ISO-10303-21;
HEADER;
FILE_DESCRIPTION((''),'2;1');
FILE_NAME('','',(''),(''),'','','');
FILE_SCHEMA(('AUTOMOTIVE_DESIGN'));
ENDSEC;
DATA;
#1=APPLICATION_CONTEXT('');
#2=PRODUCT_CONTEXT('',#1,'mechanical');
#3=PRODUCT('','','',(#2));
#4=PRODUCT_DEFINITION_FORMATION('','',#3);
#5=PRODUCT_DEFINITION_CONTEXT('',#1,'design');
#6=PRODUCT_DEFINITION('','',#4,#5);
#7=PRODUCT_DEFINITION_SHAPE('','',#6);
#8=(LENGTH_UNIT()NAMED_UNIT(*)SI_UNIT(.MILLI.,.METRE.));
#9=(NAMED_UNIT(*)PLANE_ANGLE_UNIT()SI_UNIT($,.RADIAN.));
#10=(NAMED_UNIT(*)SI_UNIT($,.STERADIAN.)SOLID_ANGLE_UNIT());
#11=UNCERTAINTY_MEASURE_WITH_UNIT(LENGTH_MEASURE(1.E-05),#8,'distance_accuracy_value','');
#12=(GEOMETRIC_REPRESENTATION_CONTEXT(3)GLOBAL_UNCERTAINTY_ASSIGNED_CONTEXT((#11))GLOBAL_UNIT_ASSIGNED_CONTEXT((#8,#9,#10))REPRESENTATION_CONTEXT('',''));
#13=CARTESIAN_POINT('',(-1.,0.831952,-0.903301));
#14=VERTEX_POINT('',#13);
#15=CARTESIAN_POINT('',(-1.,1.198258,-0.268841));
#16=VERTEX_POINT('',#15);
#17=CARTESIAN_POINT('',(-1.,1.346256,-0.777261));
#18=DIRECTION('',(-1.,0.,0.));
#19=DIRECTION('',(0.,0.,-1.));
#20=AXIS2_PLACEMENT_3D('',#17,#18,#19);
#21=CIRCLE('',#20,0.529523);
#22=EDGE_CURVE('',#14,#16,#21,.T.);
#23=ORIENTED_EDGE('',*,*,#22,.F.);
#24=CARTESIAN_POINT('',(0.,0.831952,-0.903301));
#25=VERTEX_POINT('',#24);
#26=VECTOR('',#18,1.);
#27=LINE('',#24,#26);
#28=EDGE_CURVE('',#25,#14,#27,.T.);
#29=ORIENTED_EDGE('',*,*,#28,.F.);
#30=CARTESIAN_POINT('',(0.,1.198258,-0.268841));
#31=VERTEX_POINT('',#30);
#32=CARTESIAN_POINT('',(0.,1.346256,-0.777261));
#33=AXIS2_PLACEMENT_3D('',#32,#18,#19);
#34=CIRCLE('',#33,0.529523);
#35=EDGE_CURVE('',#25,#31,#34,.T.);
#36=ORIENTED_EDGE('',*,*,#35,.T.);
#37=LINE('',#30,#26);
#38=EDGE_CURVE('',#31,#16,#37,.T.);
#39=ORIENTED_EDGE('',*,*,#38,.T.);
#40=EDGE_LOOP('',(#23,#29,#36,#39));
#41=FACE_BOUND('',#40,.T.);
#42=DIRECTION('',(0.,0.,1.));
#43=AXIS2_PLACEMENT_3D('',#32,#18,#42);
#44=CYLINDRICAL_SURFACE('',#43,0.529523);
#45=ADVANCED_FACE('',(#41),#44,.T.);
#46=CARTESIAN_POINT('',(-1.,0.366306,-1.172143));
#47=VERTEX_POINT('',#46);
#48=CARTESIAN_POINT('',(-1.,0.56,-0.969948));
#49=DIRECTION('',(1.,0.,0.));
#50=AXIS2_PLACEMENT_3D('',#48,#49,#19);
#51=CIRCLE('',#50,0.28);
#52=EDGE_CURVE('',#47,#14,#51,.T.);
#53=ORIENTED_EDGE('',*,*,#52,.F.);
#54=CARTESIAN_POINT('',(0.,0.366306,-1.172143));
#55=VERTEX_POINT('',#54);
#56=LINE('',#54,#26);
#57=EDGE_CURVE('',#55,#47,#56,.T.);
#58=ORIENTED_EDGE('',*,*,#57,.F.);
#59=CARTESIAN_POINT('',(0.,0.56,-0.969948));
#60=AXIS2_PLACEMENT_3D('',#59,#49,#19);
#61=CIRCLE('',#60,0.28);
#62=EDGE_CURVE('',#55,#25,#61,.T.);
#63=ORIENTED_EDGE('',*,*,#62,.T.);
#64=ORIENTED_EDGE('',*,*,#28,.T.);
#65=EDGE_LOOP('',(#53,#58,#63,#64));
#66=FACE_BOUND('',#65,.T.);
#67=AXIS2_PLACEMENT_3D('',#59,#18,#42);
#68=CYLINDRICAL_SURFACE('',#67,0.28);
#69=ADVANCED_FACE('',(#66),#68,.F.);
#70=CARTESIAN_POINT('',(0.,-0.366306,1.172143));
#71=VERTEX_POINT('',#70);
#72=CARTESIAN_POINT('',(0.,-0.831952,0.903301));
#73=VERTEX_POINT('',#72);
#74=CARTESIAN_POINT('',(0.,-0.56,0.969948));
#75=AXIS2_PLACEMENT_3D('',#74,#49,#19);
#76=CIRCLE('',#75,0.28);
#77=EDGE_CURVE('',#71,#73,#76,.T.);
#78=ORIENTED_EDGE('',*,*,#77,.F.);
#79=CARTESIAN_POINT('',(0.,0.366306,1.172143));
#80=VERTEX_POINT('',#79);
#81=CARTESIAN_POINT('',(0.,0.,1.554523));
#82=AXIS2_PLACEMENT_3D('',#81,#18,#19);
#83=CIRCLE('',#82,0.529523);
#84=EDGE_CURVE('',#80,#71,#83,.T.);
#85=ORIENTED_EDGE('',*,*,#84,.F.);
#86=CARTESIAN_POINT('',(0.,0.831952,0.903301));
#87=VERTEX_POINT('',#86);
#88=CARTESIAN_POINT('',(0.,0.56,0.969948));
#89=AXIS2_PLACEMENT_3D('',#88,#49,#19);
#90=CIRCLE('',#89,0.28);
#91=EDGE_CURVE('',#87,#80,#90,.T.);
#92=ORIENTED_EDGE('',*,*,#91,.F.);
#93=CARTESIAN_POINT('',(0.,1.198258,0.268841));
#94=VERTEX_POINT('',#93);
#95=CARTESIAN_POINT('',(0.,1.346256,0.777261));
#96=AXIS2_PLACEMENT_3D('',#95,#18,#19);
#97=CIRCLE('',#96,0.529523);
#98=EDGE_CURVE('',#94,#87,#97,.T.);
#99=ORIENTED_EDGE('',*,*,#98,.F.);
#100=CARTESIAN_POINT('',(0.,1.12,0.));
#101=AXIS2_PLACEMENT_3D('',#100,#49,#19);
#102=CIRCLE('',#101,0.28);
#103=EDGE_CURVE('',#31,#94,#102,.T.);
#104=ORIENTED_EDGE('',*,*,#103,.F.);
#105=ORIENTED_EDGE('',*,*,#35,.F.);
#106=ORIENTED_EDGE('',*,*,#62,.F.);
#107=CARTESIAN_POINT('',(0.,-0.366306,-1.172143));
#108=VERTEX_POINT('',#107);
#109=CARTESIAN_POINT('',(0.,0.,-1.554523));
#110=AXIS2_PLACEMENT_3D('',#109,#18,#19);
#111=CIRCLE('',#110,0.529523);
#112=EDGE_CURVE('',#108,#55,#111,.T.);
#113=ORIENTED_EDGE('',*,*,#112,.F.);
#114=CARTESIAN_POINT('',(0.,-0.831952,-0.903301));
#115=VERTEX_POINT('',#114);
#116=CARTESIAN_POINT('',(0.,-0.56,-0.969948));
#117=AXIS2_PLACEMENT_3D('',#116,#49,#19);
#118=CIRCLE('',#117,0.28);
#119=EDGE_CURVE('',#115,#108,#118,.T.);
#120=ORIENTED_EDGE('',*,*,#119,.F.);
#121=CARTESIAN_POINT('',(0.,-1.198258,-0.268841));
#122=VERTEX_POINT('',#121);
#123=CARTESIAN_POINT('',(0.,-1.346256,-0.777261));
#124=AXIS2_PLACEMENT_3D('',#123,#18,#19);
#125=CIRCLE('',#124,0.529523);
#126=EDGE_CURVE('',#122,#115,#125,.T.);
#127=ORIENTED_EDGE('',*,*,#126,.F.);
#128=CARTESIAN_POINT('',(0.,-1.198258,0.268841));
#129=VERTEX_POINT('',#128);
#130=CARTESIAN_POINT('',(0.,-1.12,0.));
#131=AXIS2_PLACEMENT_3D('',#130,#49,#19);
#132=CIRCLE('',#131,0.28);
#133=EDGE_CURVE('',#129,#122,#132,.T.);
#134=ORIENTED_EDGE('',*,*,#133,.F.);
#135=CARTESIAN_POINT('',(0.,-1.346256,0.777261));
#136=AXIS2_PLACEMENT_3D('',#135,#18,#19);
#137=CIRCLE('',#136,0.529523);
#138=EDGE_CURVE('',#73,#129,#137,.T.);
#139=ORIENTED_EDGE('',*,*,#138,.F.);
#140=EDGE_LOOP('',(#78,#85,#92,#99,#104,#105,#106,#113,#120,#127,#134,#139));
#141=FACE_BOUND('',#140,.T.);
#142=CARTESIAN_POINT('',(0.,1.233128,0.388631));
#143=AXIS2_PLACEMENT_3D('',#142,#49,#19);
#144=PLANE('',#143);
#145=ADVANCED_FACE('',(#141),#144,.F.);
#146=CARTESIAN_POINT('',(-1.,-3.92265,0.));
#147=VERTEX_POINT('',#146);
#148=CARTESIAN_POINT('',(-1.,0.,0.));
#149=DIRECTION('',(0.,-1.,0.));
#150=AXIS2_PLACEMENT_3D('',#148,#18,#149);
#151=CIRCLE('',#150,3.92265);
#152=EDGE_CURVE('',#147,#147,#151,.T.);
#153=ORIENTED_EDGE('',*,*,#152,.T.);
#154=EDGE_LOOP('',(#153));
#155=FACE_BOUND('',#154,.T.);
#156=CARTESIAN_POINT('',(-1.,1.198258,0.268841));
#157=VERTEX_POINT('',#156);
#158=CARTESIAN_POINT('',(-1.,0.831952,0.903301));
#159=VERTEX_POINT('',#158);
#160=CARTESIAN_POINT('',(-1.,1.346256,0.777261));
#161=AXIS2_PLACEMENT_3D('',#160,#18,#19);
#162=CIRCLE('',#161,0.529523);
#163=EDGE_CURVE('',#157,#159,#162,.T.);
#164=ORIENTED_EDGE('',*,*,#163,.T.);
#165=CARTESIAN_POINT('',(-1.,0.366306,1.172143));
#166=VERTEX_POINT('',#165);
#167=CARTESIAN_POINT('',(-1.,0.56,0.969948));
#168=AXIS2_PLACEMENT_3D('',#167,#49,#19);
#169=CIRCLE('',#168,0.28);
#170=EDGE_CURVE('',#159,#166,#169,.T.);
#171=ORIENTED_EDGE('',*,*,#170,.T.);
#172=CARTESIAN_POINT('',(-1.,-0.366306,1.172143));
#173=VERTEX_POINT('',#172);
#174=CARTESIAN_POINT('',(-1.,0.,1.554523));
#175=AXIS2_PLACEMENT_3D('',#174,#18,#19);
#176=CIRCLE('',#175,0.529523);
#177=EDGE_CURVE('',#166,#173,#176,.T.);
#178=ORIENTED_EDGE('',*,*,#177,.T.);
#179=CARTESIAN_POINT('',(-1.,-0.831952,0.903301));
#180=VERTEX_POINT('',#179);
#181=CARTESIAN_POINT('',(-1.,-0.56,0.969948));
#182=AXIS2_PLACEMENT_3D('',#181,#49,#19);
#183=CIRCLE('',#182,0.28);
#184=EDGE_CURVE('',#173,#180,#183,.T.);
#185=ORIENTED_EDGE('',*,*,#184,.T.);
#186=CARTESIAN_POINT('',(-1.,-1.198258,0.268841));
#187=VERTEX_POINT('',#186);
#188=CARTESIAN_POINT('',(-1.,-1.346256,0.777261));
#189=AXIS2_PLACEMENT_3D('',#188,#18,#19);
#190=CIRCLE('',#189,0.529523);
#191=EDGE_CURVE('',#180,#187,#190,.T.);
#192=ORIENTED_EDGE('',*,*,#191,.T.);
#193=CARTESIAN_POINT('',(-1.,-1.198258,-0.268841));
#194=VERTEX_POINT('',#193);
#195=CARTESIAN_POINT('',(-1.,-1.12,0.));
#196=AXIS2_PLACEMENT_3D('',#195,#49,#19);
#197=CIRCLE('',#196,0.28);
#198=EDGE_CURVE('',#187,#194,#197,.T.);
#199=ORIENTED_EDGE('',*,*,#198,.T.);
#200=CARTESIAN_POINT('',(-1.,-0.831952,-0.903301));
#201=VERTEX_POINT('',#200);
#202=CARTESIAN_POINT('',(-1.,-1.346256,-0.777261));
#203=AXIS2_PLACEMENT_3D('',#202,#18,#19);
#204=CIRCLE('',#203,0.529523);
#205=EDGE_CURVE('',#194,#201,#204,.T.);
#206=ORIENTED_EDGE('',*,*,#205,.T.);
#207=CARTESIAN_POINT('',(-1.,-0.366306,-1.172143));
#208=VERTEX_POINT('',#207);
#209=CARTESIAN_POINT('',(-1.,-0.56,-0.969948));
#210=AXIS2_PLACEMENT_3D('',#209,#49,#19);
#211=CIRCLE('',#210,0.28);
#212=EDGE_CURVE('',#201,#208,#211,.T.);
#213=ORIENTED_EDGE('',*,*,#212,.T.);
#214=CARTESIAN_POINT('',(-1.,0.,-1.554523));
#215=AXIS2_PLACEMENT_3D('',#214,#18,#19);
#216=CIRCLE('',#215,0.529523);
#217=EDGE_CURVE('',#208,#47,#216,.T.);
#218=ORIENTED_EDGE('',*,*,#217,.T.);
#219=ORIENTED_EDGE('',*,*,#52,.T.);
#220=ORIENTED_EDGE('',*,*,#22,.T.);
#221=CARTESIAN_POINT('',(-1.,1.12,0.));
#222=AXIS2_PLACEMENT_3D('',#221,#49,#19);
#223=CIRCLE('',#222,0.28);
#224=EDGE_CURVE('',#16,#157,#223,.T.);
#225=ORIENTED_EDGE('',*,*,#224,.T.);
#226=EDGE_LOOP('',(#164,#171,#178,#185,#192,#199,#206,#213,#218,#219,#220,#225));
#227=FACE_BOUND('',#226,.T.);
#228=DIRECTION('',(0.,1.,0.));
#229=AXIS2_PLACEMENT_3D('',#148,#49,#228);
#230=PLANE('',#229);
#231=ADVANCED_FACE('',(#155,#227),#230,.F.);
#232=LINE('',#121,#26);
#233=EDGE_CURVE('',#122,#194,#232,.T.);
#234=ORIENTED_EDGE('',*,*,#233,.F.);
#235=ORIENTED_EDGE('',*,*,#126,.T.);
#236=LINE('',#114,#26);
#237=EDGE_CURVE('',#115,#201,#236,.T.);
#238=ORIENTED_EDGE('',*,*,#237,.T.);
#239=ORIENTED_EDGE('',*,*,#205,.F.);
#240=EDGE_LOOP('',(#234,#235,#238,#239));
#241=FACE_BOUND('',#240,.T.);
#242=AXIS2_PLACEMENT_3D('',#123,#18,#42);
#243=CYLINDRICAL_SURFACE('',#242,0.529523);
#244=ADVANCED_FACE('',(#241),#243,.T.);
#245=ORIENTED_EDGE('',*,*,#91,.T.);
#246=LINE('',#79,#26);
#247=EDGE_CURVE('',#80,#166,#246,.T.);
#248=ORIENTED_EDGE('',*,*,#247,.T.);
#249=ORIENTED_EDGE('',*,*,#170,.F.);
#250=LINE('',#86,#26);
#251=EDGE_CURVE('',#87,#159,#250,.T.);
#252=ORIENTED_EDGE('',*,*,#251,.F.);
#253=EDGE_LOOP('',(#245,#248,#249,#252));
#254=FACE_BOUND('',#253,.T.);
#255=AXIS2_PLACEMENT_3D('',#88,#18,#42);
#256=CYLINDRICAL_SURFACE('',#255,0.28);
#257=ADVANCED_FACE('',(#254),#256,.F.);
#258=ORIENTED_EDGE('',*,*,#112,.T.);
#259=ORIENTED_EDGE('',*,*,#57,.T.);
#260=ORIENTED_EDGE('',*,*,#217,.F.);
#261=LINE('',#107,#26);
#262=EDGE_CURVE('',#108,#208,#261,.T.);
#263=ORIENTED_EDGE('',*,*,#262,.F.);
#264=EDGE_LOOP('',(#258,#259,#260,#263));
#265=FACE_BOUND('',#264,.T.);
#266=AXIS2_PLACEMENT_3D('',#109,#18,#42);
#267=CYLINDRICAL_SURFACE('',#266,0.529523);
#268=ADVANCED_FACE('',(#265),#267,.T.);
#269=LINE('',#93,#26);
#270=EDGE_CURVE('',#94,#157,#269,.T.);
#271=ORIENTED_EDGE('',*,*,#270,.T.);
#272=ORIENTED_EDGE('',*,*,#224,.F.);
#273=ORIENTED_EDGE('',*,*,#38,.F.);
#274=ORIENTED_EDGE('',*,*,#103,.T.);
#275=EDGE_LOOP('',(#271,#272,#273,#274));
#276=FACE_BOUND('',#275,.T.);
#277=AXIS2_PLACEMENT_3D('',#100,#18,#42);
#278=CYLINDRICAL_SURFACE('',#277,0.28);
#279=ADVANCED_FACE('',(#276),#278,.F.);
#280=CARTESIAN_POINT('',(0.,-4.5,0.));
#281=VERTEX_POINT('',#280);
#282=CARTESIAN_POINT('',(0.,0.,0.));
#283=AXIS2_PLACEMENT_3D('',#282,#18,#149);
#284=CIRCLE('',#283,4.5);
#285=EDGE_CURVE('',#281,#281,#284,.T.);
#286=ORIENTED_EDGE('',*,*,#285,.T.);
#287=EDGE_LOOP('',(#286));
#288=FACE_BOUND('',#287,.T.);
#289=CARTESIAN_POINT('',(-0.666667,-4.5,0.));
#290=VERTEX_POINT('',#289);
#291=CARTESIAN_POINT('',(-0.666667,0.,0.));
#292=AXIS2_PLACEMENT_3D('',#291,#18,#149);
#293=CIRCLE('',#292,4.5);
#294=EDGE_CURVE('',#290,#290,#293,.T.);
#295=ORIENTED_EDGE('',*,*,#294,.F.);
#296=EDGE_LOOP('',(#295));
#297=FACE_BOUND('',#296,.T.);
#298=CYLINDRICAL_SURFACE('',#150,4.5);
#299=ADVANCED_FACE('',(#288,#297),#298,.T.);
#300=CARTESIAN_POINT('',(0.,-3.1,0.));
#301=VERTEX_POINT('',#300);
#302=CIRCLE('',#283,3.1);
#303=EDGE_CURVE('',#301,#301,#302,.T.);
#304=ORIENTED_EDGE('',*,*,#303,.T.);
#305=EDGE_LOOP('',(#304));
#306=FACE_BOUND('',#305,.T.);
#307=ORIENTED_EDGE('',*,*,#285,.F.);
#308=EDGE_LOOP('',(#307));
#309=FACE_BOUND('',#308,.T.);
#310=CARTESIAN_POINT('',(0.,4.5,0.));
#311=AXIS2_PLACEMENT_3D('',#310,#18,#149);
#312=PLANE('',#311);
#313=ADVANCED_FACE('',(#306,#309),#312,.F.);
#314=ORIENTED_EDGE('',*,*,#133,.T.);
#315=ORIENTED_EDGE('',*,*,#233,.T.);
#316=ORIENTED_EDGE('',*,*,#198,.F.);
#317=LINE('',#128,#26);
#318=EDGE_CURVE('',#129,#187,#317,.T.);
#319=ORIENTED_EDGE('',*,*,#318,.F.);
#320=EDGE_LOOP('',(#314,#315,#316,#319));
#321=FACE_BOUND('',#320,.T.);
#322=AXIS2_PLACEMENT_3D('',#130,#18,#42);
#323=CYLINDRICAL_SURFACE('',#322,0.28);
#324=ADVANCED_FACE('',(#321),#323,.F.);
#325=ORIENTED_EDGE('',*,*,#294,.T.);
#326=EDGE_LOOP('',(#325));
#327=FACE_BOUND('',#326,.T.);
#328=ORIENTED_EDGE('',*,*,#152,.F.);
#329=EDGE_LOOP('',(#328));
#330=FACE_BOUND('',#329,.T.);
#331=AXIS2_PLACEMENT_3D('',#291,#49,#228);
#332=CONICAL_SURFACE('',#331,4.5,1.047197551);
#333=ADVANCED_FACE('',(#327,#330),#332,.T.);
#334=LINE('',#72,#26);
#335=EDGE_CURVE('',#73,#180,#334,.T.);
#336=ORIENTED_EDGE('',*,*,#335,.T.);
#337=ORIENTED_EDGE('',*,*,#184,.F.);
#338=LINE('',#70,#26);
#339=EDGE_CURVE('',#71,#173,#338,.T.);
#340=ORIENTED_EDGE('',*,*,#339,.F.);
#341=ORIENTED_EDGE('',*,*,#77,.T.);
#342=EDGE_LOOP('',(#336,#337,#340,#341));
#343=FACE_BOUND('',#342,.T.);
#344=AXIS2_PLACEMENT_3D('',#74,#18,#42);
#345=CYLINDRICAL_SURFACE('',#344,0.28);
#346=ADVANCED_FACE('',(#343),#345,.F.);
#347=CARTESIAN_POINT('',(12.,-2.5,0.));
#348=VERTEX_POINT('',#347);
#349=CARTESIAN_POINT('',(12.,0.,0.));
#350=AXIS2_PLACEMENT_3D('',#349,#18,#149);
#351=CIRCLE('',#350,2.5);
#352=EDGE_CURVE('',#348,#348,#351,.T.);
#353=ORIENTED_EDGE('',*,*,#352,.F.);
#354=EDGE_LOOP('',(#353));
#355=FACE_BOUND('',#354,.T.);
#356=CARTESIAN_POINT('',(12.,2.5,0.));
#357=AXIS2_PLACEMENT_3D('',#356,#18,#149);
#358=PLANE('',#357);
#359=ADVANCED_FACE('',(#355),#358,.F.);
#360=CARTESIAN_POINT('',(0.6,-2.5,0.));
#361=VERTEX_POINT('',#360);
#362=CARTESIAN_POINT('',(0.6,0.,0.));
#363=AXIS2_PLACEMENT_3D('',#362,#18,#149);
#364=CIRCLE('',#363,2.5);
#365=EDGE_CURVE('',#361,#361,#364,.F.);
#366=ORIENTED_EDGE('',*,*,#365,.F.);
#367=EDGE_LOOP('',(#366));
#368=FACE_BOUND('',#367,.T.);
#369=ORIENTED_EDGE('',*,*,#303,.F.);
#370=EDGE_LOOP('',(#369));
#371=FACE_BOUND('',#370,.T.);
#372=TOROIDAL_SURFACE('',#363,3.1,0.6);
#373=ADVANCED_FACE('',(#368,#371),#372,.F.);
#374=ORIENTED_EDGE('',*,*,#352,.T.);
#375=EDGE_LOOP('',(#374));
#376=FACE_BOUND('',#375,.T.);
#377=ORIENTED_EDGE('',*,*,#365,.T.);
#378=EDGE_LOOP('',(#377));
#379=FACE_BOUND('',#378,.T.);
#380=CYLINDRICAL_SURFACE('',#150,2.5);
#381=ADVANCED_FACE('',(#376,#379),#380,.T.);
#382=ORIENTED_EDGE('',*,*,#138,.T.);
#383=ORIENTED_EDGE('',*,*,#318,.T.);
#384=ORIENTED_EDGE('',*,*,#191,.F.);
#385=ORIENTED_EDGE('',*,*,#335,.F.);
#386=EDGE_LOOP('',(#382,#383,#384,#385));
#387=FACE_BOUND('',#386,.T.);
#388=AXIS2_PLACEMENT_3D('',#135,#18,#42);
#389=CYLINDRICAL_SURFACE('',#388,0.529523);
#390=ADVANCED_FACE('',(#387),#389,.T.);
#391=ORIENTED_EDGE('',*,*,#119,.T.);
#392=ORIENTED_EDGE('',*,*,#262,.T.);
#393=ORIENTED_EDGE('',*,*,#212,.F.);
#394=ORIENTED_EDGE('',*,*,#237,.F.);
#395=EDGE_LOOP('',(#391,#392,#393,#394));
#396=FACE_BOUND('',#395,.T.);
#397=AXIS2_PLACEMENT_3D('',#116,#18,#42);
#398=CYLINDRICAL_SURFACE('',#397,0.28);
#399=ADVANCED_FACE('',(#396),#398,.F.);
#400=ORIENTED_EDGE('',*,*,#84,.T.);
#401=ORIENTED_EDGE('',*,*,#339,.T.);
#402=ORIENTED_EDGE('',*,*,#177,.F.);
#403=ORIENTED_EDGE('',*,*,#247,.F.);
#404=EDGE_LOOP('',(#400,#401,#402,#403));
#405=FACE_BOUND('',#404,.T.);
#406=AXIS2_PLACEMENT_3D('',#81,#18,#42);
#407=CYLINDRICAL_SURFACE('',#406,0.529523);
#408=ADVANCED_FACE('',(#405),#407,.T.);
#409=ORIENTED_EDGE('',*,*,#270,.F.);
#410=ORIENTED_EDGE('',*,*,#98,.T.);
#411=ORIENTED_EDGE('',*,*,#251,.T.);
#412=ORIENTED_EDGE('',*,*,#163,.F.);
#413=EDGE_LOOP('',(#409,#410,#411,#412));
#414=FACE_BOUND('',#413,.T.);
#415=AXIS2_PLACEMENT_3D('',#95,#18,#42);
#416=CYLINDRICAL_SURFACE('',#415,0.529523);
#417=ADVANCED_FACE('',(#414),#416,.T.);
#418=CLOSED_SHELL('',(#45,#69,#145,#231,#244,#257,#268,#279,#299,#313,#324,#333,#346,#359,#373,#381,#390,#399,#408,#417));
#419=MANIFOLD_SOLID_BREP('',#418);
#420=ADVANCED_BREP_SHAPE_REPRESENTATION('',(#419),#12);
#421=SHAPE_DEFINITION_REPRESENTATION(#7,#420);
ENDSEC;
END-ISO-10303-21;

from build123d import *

# Parameters (mm, degrees)
CUT_EXTRUDE1_DEPTH = 1
FILLET1_R          = 0.6


with BuildPart() as part:
    # Sketch1 → Revolve1 (revolve)
    with BuildSketch(Plane.XY):
        Polygon((0, 2.5), (12, 2.5), (12, 0), (-1, 0), (-1, 3.922649731), (-0.666666667, 4.5), (0, 4.5), align=None)
    revolve(axis=Axis((-1, 0, 0), (1, 0, 0)))

    # Sketch2 → Cut-Extrude1 (cut)
    with BuildSketch(Plane(origin=(-1, 0, 0), x_dir=(0, 0, -1), z_dir=(1, 0, 0))):
        with BuildLine():
            ThreePointArc((0.268841336, 1.198258139), (0, 1.4), (-0.268841336, 1.198258139))
            ThreePointArc((-0.268841336, 1.198258139), (-0.5125, 0.887676039), (-0.903301321, 0.831952496))
            ThreePointArc((-0.903301321, 0.831952496), (-1.212435565, 0.7), (-1.172142656, 0.366305643))
            ThreePointArc((-1.172142656, 0.366305643), (-1.025, 0), (-1.172142656, -0.366305643))
            ThreePointArc((-1.172142656, -0.366305643), (-1.212435565, -0.7), (-0.903301321, -0.831952496))
            ThreePointArc((-0.903301321, -0.831952496), (-0.5125, -0.887676039), (-0.268841336, -1.198258139))
            ThreePointArc((-0.268841336, -1.198258139), (0, -1.4), (0.268841336, -1.198258139))
            ThreePointArc((0.268841336, -1.198258139), (0.5125, -0.887676039), (0.903301321, -0.831952496))
            ThreePointArc((0.903301321, -0.831952496), (1.212435565, -0.7), (1.172142656, -0.366305643))
            ThreePointArc((1.172142656, -0.366305643), (1.025, 0), (1.172142656, 0.366305643))
            ThreePointArc((1.172142656, 0.366305643), (1.212435565, 0.7), (0.903301321, 0.831952496))
            ThreePointArc((0.903301321, 0.831952496), (0.5125, 0.887676039), (0.268841336, 1.198258139))
        make_face()
    extrude(amount=CUT_EXTRUDE1_DEPTH, mode=Mode.SUBTRACT)

    # Fillet1
    fillet1_edges = [part.edges().sort_by_distance(p)[0] for p in [
        (0, -2.5, 0),
    ]]
    fillet(fillet1_edges, radius=FILLET1_R)


solid = part.part
